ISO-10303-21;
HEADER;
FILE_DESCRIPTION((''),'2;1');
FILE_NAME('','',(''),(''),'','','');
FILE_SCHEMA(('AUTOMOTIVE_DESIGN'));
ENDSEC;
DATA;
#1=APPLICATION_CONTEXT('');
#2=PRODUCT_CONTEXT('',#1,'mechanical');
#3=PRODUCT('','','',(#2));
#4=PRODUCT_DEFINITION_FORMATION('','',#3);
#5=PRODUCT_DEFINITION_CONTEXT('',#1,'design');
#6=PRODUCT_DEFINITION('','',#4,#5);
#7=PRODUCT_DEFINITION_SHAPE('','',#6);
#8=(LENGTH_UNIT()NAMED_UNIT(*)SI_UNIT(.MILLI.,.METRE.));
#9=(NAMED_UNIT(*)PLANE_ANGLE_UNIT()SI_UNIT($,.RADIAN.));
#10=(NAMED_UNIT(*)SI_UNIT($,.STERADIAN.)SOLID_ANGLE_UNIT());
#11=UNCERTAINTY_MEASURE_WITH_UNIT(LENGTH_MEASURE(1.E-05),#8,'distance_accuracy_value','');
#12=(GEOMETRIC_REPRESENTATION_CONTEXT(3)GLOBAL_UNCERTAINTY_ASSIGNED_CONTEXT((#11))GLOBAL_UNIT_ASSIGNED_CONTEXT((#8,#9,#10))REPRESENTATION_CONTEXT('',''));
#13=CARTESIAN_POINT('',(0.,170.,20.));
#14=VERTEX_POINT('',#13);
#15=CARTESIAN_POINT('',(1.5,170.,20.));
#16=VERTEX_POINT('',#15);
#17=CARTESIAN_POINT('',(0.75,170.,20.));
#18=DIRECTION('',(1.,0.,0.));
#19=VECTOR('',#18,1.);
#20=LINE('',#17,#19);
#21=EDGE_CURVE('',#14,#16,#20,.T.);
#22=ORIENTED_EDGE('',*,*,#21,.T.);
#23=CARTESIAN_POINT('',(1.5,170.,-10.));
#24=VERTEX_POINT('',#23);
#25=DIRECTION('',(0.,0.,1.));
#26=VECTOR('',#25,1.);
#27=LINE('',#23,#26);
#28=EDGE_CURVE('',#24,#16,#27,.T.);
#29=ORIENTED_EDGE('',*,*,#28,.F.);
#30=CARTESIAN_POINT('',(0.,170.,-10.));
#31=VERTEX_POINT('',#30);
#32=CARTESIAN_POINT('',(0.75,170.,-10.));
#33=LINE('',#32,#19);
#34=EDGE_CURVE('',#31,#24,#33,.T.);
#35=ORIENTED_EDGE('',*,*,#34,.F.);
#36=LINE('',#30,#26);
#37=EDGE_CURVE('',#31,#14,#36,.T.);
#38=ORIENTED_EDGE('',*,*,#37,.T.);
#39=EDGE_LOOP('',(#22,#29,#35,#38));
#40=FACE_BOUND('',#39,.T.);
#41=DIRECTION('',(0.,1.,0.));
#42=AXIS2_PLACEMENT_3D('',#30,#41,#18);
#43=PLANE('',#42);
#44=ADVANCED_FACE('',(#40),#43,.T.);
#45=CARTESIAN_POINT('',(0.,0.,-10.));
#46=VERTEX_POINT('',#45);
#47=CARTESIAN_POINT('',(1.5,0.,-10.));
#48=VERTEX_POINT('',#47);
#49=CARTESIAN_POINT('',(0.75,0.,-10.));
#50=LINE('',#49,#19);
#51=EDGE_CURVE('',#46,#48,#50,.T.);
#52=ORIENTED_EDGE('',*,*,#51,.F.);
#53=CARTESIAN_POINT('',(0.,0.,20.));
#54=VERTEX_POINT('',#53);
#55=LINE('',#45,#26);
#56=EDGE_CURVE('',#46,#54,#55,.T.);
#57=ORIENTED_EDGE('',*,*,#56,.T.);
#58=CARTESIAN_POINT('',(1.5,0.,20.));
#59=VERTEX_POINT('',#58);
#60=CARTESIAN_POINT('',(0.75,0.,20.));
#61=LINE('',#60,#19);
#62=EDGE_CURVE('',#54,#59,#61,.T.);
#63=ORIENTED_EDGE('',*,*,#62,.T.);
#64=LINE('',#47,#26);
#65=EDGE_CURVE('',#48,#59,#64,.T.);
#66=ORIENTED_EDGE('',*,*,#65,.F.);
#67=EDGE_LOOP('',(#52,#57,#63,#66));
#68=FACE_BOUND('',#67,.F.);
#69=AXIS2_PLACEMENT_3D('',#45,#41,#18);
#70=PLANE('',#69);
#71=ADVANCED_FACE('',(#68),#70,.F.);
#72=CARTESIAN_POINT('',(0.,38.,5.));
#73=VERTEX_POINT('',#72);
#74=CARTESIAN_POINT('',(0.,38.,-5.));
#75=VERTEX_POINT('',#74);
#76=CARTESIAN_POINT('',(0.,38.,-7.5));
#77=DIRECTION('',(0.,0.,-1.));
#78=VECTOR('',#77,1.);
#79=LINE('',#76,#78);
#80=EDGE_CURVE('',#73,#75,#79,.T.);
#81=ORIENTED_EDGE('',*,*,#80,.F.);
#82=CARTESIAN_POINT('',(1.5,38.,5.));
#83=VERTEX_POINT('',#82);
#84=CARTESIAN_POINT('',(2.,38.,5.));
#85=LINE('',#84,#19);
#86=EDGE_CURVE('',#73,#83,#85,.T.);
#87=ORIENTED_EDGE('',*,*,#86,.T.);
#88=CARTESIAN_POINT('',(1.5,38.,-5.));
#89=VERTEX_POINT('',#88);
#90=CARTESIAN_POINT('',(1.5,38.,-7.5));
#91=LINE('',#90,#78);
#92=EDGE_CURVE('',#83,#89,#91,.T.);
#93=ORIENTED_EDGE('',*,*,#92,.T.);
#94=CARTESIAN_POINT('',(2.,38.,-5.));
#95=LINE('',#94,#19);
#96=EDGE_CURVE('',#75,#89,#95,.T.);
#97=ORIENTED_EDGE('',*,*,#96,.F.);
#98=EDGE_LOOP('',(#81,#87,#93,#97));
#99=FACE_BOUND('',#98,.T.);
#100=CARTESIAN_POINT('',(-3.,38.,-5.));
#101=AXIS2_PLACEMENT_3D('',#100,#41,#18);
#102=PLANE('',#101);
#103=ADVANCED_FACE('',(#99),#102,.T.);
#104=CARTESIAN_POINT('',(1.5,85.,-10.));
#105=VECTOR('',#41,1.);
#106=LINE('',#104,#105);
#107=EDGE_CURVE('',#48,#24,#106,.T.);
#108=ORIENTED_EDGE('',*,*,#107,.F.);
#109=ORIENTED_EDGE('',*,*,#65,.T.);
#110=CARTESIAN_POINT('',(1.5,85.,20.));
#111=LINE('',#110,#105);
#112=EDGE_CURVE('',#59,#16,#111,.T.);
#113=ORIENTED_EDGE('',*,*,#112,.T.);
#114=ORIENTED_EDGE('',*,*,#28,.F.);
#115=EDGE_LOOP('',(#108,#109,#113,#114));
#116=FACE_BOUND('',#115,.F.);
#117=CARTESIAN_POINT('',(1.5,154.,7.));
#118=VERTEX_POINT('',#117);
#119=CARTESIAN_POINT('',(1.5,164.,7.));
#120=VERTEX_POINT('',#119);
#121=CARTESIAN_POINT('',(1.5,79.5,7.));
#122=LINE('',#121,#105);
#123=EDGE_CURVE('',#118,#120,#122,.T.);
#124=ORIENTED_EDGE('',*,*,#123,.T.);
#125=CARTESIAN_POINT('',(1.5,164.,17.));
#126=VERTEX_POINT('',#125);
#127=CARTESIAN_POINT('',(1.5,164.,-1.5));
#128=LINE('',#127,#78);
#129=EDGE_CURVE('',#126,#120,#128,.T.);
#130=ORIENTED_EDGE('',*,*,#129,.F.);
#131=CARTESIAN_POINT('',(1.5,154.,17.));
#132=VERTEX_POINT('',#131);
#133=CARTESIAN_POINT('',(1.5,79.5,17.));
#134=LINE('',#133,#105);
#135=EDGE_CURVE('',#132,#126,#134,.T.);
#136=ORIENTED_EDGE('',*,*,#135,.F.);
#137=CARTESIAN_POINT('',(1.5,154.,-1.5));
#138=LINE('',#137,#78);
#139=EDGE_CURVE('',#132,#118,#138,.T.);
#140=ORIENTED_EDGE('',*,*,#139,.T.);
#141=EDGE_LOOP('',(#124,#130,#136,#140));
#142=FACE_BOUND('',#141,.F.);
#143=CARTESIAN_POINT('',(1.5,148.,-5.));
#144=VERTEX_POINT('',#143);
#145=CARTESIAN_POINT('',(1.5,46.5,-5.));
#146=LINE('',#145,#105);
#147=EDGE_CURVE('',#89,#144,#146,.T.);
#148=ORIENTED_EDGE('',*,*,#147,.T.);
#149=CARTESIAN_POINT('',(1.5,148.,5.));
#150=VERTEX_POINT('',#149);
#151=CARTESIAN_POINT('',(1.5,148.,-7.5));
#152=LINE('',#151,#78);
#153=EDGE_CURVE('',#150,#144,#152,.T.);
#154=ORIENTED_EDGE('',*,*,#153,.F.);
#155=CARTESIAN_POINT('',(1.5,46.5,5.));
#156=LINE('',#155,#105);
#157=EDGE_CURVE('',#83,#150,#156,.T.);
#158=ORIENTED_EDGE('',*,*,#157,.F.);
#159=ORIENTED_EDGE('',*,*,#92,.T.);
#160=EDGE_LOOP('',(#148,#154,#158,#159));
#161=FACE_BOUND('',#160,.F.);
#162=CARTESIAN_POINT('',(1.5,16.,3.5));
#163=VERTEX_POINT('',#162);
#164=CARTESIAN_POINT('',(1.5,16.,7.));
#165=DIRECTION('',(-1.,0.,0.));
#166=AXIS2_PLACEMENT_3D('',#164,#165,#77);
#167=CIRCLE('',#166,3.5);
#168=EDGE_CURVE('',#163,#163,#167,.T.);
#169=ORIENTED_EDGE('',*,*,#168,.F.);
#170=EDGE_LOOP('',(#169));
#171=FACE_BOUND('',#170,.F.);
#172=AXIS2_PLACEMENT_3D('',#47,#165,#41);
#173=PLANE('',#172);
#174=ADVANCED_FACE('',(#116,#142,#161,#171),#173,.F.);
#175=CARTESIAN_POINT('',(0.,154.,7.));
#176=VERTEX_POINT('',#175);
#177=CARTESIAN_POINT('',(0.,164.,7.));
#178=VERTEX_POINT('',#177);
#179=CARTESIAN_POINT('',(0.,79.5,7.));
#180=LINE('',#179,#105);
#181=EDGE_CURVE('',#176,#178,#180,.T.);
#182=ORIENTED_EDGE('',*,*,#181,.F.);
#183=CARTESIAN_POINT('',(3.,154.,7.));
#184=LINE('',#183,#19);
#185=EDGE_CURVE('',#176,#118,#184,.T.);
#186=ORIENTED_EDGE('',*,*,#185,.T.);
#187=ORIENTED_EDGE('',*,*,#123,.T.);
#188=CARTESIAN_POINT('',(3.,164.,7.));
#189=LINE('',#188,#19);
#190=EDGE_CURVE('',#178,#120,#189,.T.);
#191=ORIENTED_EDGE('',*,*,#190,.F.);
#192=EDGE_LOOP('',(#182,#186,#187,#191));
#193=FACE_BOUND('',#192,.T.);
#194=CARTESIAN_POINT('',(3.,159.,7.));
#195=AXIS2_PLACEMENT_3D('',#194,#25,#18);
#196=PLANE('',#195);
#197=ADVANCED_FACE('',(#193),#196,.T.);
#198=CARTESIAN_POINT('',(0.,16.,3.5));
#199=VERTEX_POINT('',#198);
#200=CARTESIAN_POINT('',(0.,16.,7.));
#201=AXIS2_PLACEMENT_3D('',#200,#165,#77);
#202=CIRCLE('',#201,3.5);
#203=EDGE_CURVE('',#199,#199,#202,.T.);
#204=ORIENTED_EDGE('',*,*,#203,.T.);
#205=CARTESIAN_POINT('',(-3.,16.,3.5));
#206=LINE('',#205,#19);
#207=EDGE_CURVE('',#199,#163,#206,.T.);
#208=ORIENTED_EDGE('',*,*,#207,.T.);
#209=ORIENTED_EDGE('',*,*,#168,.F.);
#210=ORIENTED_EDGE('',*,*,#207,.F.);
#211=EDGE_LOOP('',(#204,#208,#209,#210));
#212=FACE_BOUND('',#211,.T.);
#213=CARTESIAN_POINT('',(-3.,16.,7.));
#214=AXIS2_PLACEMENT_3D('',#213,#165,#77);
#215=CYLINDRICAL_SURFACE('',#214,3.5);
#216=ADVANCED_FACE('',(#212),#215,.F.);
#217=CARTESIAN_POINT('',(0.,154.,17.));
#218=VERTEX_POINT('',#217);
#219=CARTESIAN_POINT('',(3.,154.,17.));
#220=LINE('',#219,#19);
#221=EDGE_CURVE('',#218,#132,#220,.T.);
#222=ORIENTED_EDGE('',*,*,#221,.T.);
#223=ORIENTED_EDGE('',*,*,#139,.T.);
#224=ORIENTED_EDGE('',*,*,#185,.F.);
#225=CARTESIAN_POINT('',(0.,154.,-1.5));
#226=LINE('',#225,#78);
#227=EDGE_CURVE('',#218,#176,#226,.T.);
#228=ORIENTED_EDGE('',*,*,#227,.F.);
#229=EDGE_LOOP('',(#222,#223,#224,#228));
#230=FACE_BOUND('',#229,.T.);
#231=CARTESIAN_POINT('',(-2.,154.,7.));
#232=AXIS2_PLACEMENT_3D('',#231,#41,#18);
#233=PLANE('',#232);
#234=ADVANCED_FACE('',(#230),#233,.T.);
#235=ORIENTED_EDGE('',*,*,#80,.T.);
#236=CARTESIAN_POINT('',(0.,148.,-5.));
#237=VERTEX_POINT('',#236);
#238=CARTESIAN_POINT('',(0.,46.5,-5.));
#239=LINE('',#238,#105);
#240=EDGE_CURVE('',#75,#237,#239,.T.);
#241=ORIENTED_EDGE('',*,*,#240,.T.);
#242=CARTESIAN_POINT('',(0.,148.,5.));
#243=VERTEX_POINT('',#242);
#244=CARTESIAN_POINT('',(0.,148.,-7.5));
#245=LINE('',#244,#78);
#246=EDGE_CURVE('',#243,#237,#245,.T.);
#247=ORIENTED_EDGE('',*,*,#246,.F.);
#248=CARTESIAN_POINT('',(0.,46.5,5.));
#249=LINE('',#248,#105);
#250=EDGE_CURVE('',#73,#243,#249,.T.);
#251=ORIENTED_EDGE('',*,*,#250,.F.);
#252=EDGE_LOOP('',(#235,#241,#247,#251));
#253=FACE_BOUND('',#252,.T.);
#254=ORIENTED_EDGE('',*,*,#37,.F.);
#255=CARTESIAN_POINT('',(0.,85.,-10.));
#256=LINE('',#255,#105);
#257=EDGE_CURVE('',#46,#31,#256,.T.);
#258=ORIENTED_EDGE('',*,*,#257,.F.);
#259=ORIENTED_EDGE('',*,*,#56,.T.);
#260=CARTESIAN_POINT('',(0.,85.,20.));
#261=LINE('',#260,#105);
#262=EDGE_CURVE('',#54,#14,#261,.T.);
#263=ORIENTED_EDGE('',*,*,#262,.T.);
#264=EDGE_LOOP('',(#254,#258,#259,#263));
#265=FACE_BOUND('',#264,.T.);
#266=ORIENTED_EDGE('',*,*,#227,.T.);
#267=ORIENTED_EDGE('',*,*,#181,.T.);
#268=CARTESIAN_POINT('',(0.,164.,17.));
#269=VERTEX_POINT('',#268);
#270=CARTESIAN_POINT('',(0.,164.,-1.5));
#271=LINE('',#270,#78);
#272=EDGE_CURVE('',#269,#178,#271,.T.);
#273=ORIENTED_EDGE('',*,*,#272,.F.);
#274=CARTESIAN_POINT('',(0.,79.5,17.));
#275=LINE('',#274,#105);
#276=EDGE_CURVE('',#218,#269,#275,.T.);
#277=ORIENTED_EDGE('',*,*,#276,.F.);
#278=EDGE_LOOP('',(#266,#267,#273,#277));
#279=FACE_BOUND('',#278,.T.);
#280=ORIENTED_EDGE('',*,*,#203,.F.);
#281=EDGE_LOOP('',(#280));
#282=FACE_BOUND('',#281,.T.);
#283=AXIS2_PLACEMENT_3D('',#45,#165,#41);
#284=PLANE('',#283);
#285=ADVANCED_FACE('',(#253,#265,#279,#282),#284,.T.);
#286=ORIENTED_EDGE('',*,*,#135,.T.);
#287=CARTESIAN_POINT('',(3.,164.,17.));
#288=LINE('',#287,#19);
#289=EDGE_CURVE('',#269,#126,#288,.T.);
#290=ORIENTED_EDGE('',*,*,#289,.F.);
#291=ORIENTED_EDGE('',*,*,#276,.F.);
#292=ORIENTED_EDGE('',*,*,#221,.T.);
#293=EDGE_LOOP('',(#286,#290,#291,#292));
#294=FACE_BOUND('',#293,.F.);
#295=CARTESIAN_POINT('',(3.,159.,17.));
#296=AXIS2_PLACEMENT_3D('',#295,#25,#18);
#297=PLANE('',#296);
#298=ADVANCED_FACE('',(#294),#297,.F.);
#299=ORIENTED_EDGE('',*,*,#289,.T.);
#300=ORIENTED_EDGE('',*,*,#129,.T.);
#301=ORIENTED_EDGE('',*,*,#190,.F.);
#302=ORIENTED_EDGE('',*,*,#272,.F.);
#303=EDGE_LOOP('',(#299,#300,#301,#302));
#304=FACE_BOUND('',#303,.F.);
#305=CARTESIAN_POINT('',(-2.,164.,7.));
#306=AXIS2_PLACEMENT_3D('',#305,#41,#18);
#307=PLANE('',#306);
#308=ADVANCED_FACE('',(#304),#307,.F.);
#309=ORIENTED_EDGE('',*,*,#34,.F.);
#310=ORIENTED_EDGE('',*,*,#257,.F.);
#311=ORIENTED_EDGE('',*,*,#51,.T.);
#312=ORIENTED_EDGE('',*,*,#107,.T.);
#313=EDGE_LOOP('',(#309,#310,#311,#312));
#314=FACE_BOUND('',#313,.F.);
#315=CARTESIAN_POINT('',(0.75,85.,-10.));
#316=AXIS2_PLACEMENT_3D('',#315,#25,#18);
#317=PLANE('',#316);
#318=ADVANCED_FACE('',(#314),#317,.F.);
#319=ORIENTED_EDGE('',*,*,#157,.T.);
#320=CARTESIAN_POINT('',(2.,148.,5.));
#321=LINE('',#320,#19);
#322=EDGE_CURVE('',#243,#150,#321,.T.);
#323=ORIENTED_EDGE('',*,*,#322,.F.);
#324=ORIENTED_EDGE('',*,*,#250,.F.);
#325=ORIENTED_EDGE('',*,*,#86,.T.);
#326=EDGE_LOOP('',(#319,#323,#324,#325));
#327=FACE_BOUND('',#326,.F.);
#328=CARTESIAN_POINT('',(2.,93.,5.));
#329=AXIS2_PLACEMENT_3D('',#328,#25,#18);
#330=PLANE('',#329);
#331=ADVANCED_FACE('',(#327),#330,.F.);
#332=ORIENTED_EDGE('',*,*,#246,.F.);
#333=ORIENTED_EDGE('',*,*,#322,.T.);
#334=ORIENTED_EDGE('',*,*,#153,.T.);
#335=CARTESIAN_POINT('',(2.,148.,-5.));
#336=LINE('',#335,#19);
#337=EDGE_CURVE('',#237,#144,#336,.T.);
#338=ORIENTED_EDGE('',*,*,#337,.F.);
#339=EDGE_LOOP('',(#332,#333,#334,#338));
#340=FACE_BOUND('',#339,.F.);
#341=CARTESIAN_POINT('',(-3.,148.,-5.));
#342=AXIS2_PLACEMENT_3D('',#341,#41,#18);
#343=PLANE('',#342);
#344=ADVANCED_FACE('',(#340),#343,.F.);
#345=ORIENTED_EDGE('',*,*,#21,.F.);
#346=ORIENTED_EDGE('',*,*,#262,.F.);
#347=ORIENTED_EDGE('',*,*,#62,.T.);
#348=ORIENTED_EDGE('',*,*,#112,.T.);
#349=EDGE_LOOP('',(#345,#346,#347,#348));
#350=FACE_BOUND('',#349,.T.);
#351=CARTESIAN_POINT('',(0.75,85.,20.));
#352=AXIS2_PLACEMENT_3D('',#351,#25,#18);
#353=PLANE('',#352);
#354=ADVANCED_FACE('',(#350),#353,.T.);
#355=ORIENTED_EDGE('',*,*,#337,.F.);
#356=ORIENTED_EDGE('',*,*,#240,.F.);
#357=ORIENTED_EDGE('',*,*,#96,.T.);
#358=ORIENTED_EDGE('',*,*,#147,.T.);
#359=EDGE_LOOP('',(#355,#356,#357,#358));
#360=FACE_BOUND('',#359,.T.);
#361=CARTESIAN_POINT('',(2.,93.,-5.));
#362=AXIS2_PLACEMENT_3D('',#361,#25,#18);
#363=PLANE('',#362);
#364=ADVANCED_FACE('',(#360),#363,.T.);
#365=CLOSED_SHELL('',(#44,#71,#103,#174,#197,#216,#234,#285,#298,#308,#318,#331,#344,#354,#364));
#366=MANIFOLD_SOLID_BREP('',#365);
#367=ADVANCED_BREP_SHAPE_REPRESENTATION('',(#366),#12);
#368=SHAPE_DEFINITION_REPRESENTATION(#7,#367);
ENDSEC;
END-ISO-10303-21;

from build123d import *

# Parameters (mm, degrees)
BOX021_W          = 10
BOX021_H          = 10
BOX021_DEPTH      = 10
BOX004_W          = 10
BOX004_H          = 110
BOX004_DEPTH      = 10
CYLINDER004_R     = 3.5
CYLINDER004_DEPTH = 10
BOX002_W          = 1.5
BOX002_H          = 170
BOX002_DEPTH      = 30


with BuildPart() as reset:
    # Box021 → Box021 (new body)
    with BuildSketch(Plane(origin=(-2, 154, 7), x_dir=(1, 0, 0), z_dir=(0, 0, 1))):
        with Locations((5, 5)):
            Rectangle(BOX021_W, BOX021_H)
    extrude(amount=BOX021_DEPTH)


with BuildPart() as cube003:
    # Box004 → Box004 (new body)
    with BuildSketch(Plane(origin=(-3, 38, -5), x_dir=(1, 0, 0), z_dir=(0, 0, 1))):
        with Locations((5, 55)):
            Rectangle(BOX004_W, BOX004_H)
    extrude(amount=BOX004_DEPTH)


with BuildPart() as pwrjack:
    # Cylinder004 → Cylinder004 (new body)
    with BuildSketch(Plane(origin=(-3, 16, 7), x_dir=(0, 0, -1), z_dir=(1, 0, 0))):
        Circle(CYLINDER004_R)
    extrude(amount=CYLINDER004_DEPTH)


with BuildPart() as cut006:
    # Box002 → Box002 (new body)
    with BuildSketch(Plane.XY.offset(-10)):
        with Locations((0.75, 85)):
            Rectangle(BOX002_W, BOX002_H)
    extrude(amount=BOX002_DEPTH)

    # Cut003: cut pwrjack
    add(pwrjack.part, mode=Mode.SUBTRACT)

    # Cut: cut Cube003
    add(cube003.part, mode=Mode.SUBTRACT)

    # Cut006: cut reset
    add(reset.part, mode=Mode.SUBTRACT)


solid = cut006.part
